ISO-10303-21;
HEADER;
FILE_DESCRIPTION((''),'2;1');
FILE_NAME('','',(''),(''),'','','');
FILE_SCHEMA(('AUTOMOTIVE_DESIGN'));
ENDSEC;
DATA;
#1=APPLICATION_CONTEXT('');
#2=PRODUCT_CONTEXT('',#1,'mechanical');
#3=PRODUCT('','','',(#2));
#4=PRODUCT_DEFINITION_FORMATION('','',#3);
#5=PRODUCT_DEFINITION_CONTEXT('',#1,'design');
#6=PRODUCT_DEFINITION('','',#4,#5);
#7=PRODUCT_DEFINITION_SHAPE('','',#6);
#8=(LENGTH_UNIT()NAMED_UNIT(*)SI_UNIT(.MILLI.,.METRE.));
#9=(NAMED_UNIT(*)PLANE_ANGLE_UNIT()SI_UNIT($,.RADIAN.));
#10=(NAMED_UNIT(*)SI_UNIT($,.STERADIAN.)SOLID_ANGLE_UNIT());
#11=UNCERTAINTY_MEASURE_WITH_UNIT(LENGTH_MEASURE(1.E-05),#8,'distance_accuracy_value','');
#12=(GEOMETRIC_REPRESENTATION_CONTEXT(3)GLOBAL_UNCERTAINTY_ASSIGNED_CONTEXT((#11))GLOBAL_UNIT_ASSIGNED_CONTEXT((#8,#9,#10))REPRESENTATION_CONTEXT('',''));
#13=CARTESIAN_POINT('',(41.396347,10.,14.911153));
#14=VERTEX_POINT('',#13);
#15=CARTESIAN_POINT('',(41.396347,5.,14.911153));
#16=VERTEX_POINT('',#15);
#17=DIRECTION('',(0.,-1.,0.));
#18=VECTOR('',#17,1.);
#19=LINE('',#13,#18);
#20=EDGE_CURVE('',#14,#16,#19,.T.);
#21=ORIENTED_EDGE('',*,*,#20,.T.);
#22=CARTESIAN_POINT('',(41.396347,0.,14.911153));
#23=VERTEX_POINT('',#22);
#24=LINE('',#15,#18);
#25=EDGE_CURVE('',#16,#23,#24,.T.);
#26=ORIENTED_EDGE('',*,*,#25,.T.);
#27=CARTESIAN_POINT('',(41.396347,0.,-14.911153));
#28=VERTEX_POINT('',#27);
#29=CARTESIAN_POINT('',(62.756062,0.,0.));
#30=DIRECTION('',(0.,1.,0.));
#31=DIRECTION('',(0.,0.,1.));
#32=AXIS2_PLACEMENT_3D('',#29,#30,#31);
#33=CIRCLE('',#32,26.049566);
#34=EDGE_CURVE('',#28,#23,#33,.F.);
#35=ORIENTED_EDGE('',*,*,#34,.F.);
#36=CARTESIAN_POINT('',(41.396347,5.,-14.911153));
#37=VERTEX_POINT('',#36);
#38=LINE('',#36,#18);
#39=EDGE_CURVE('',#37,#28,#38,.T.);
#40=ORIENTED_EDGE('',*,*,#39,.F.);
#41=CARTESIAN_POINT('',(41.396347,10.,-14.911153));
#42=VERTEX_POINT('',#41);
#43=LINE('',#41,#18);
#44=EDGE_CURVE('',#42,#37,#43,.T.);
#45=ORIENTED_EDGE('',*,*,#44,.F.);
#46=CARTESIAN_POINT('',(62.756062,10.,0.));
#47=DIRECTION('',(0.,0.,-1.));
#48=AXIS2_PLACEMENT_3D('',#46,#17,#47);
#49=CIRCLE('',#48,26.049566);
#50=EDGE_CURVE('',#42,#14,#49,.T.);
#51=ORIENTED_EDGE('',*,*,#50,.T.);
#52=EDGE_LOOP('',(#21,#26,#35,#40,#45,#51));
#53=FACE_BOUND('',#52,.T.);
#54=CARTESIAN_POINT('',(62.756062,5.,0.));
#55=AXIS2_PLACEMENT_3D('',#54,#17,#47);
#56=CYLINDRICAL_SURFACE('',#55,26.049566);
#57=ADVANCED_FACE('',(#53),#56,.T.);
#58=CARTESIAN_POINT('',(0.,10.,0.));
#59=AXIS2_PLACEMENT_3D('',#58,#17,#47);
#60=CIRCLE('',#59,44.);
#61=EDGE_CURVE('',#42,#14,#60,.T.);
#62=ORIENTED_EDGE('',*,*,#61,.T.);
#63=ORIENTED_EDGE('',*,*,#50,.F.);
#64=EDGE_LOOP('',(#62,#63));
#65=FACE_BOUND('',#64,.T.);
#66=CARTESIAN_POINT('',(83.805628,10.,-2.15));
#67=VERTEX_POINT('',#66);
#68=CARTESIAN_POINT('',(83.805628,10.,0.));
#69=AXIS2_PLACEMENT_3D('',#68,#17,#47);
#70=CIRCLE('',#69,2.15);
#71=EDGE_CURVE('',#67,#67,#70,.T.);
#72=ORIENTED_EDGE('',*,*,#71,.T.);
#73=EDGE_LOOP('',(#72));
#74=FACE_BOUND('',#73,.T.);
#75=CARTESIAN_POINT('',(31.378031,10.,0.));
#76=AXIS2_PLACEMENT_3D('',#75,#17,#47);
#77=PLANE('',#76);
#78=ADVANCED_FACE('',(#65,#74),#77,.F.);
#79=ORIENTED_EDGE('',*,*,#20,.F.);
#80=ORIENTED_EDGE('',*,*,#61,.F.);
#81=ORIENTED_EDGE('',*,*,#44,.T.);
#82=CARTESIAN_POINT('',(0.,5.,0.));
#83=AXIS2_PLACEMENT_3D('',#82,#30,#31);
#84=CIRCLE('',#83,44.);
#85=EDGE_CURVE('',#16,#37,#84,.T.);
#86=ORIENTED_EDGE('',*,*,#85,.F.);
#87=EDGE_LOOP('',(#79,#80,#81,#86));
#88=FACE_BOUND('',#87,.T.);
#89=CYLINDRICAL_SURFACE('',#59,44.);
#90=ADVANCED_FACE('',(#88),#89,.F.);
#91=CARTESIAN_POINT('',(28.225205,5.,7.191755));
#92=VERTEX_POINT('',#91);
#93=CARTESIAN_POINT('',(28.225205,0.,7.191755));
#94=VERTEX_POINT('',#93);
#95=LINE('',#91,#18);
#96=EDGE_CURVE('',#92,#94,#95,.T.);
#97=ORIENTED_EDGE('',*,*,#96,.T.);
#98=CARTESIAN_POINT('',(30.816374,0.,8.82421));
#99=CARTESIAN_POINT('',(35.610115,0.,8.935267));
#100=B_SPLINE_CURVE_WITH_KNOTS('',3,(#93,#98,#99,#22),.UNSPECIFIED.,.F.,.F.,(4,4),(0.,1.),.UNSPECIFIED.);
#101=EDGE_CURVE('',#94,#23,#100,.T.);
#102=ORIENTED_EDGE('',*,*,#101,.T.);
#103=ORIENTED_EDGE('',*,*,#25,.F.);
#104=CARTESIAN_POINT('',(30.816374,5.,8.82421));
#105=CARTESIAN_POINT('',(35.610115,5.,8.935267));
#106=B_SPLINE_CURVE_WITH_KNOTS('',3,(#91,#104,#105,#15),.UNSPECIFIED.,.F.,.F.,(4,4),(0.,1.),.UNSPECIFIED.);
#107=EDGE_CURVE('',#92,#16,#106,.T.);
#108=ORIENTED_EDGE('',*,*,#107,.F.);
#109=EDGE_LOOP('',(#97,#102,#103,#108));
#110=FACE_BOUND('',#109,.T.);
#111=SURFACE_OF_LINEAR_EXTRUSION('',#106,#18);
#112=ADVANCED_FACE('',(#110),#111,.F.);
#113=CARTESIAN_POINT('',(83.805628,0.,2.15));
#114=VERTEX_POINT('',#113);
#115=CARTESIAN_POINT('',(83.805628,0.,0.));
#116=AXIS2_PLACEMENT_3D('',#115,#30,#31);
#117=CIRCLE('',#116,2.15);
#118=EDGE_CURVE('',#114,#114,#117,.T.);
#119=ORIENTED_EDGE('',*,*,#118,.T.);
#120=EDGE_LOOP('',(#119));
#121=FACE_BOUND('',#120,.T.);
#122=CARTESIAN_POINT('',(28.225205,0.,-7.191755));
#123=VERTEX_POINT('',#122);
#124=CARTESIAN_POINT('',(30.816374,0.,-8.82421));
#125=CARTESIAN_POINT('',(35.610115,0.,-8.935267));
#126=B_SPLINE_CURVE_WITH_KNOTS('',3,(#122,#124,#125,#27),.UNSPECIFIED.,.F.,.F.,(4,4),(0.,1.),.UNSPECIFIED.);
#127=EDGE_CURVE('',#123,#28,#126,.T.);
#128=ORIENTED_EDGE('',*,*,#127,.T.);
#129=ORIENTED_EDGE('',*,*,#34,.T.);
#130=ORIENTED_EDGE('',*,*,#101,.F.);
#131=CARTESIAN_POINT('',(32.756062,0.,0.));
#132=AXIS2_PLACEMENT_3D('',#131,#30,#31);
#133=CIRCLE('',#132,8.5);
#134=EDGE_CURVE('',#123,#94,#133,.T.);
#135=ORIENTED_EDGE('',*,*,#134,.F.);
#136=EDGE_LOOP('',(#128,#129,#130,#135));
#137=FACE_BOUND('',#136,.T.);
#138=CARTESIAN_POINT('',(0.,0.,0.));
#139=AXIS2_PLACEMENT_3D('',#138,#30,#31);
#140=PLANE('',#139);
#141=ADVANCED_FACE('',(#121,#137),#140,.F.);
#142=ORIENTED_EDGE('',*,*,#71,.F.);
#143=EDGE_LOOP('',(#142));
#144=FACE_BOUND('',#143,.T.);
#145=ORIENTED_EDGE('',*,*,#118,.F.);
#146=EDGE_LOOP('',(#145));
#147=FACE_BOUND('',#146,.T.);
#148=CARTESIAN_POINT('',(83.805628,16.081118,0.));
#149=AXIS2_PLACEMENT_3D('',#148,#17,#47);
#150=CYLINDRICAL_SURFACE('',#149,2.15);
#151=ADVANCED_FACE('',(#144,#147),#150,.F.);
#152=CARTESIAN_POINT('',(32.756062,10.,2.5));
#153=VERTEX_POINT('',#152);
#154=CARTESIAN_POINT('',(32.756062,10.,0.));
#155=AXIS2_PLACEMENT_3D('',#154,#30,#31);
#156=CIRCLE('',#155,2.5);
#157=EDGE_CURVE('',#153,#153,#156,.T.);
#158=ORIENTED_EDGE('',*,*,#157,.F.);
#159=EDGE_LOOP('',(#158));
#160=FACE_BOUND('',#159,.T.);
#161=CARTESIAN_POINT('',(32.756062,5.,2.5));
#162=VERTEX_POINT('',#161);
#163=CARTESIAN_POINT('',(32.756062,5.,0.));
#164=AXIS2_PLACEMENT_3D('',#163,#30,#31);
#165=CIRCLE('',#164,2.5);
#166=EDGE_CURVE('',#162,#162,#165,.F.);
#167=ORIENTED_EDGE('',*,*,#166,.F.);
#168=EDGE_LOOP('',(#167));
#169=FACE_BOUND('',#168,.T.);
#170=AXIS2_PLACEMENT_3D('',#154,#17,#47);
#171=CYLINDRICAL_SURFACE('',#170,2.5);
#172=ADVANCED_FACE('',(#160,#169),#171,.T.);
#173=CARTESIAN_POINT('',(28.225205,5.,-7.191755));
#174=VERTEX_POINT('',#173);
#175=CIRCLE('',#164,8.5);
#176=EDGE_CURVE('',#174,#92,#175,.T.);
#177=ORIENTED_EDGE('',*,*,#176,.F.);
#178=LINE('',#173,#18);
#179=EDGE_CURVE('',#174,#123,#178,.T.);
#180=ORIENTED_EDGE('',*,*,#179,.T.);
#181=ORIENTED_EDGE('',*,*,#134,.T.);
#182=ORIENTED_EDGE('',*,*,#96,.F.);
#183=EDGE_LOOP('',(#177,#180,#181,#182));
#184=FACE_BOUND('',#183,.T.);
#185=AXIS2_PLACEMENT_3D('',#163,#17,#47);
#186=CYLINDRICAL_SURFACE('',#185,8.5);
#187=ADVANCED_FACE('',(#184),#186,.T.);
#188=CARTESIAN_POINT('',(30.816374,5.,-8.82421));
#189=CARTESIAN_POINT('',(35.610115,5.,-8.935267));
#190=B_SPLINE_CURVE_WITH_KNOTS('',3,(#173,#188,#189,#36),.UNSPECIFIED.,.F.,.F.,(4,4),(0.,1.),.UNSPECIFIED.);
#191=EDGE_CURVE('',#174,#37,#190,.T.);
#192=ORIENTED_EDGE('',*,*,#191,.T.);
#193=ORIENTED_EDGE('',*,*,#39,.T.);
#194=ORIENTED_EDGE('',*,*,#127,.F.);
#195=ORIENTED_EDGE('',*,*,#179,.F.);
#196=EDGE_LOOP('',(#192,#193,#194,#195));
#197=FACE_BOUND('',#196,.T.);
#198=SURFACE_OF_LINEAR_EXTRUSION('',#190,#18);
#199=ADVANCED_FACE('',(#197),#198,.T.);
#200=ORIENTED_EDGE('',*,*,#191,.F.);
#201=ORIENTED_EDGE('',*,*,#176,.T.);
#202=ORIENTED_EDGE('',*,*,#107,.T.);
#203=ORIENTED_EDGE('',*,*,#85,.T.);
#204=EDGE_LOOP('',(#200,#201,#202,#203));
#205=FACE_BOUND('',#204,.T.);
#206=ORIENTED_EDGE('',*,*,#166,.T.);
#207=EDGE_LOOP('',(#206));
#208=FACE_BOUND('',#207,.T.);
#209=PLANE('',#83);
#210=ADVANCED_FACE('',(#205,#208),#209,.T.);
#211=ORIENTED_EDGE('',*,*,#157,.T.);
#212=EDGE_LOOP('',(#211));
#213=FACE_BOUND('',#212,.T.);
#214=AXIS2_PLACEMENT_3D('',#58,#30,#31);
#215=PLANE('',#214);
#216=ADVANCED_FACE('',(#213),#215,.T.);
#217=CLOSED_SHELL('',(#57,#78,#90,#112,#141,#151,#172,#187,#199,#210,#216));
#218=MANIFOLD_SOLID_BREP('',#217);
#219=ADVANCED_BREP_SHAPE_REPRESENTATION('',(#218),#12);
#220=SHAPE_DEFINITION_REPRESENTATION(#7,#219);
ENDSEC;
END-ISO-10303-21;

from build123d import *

# Parameters (mm, degrees)
SKETCH2_R           = 2.15
BOSS_EXTRUDE2_DEPTH = 5
SKETCH2_4_R         = 2.5
BOSS_EXTRUDE3_DEPTH = 10
SKETCH2_5_R         = 2.15
CUT_EXTRUDE1_DEPTH  = 10


with BuildPart() as part:
    # Sketch2 → Boss-Extrude2 (new body)
    with BuildSketch(Plane(origin=(0, 0, 0), x_dir=(1, 0, 0), z_dir=(0, 1, 0))):
        with BuildLine():
            ThreePointArc((41.396346652, -14.911153002), (88.805627965, 0), (41.396346652, 14.911153002))
            add(Edge.make_bspline(
                [(41.396346652, 14.911153002), (35.610115035, 8.935267229), (30.816373967, 8.824209594), (28.225205258, 7.191755049)],
                knots=[0.924562573, 0.924562573, 0.924562573, 0.924562573, 1.924562573, 1.924562573, 1.924562573, 1.924562573], degree=3))
            ThreePointArc((28.225205258, 7.191755049), (24.256061614, 0), (28.225205258, -7.191755049))
            add(Edge.make_bspline(
                [(28.225205258, -7.191755049), (30.816373967, -8.824209594), (35.610115035, -8.935267229), (41.396346652, -14.911153002)],
                knots=[0, 0, 0, 0, 1, 1, 1, 1], degree=3))
        make_face()
        with Locations(Location((83.805627965, 0, 0), (0, 0, 270))):
            Circle(SKETCH2_R, mode=Mode.SUBTRACT)
    extrude(amount=BOSS_EXTRUDE2_DEPTH)

    # Sketch2<4> → Boss-Extrude3 (add)
    with BuildSketch(Plane(origin=(0, 0, 0), x_dir=(1, 0, 0), z_dir=(0, 1, 0))):
        with Locations(Location((32.756061614, 0, 0), (0, 0, 270))):
            Circle(SKETCH2_4_R)
        with BuildLine():
            ThreePointArc((41.396346652, 14.911153002), (88.805627965, 0), (41.396346652, -14.911153002))
            ThreePointArc((41.396346652, -14.911153002), (44, 0), (41.396346652, 14.911153002))
        make_face()
    extrude(amount=BOSS_EXTRUDE3_DEPTH)

    # Sketch2<5> → Cut-Extrude1 (cut)
    with BuildSketch(Plane(origin=(0, 0, 0), x_dir=(1, 0, 0), z_dir=(0, 1, 0))):
        with Locations(Location((83.805627965, 0, 0), (0, 0, 90))):
            Circle(SKETCH2_5_R)
    extrude(amount=CUT_EXTRUDE1_DEPTH, mode=Mode.SUBTRACT)


solid = part.part
